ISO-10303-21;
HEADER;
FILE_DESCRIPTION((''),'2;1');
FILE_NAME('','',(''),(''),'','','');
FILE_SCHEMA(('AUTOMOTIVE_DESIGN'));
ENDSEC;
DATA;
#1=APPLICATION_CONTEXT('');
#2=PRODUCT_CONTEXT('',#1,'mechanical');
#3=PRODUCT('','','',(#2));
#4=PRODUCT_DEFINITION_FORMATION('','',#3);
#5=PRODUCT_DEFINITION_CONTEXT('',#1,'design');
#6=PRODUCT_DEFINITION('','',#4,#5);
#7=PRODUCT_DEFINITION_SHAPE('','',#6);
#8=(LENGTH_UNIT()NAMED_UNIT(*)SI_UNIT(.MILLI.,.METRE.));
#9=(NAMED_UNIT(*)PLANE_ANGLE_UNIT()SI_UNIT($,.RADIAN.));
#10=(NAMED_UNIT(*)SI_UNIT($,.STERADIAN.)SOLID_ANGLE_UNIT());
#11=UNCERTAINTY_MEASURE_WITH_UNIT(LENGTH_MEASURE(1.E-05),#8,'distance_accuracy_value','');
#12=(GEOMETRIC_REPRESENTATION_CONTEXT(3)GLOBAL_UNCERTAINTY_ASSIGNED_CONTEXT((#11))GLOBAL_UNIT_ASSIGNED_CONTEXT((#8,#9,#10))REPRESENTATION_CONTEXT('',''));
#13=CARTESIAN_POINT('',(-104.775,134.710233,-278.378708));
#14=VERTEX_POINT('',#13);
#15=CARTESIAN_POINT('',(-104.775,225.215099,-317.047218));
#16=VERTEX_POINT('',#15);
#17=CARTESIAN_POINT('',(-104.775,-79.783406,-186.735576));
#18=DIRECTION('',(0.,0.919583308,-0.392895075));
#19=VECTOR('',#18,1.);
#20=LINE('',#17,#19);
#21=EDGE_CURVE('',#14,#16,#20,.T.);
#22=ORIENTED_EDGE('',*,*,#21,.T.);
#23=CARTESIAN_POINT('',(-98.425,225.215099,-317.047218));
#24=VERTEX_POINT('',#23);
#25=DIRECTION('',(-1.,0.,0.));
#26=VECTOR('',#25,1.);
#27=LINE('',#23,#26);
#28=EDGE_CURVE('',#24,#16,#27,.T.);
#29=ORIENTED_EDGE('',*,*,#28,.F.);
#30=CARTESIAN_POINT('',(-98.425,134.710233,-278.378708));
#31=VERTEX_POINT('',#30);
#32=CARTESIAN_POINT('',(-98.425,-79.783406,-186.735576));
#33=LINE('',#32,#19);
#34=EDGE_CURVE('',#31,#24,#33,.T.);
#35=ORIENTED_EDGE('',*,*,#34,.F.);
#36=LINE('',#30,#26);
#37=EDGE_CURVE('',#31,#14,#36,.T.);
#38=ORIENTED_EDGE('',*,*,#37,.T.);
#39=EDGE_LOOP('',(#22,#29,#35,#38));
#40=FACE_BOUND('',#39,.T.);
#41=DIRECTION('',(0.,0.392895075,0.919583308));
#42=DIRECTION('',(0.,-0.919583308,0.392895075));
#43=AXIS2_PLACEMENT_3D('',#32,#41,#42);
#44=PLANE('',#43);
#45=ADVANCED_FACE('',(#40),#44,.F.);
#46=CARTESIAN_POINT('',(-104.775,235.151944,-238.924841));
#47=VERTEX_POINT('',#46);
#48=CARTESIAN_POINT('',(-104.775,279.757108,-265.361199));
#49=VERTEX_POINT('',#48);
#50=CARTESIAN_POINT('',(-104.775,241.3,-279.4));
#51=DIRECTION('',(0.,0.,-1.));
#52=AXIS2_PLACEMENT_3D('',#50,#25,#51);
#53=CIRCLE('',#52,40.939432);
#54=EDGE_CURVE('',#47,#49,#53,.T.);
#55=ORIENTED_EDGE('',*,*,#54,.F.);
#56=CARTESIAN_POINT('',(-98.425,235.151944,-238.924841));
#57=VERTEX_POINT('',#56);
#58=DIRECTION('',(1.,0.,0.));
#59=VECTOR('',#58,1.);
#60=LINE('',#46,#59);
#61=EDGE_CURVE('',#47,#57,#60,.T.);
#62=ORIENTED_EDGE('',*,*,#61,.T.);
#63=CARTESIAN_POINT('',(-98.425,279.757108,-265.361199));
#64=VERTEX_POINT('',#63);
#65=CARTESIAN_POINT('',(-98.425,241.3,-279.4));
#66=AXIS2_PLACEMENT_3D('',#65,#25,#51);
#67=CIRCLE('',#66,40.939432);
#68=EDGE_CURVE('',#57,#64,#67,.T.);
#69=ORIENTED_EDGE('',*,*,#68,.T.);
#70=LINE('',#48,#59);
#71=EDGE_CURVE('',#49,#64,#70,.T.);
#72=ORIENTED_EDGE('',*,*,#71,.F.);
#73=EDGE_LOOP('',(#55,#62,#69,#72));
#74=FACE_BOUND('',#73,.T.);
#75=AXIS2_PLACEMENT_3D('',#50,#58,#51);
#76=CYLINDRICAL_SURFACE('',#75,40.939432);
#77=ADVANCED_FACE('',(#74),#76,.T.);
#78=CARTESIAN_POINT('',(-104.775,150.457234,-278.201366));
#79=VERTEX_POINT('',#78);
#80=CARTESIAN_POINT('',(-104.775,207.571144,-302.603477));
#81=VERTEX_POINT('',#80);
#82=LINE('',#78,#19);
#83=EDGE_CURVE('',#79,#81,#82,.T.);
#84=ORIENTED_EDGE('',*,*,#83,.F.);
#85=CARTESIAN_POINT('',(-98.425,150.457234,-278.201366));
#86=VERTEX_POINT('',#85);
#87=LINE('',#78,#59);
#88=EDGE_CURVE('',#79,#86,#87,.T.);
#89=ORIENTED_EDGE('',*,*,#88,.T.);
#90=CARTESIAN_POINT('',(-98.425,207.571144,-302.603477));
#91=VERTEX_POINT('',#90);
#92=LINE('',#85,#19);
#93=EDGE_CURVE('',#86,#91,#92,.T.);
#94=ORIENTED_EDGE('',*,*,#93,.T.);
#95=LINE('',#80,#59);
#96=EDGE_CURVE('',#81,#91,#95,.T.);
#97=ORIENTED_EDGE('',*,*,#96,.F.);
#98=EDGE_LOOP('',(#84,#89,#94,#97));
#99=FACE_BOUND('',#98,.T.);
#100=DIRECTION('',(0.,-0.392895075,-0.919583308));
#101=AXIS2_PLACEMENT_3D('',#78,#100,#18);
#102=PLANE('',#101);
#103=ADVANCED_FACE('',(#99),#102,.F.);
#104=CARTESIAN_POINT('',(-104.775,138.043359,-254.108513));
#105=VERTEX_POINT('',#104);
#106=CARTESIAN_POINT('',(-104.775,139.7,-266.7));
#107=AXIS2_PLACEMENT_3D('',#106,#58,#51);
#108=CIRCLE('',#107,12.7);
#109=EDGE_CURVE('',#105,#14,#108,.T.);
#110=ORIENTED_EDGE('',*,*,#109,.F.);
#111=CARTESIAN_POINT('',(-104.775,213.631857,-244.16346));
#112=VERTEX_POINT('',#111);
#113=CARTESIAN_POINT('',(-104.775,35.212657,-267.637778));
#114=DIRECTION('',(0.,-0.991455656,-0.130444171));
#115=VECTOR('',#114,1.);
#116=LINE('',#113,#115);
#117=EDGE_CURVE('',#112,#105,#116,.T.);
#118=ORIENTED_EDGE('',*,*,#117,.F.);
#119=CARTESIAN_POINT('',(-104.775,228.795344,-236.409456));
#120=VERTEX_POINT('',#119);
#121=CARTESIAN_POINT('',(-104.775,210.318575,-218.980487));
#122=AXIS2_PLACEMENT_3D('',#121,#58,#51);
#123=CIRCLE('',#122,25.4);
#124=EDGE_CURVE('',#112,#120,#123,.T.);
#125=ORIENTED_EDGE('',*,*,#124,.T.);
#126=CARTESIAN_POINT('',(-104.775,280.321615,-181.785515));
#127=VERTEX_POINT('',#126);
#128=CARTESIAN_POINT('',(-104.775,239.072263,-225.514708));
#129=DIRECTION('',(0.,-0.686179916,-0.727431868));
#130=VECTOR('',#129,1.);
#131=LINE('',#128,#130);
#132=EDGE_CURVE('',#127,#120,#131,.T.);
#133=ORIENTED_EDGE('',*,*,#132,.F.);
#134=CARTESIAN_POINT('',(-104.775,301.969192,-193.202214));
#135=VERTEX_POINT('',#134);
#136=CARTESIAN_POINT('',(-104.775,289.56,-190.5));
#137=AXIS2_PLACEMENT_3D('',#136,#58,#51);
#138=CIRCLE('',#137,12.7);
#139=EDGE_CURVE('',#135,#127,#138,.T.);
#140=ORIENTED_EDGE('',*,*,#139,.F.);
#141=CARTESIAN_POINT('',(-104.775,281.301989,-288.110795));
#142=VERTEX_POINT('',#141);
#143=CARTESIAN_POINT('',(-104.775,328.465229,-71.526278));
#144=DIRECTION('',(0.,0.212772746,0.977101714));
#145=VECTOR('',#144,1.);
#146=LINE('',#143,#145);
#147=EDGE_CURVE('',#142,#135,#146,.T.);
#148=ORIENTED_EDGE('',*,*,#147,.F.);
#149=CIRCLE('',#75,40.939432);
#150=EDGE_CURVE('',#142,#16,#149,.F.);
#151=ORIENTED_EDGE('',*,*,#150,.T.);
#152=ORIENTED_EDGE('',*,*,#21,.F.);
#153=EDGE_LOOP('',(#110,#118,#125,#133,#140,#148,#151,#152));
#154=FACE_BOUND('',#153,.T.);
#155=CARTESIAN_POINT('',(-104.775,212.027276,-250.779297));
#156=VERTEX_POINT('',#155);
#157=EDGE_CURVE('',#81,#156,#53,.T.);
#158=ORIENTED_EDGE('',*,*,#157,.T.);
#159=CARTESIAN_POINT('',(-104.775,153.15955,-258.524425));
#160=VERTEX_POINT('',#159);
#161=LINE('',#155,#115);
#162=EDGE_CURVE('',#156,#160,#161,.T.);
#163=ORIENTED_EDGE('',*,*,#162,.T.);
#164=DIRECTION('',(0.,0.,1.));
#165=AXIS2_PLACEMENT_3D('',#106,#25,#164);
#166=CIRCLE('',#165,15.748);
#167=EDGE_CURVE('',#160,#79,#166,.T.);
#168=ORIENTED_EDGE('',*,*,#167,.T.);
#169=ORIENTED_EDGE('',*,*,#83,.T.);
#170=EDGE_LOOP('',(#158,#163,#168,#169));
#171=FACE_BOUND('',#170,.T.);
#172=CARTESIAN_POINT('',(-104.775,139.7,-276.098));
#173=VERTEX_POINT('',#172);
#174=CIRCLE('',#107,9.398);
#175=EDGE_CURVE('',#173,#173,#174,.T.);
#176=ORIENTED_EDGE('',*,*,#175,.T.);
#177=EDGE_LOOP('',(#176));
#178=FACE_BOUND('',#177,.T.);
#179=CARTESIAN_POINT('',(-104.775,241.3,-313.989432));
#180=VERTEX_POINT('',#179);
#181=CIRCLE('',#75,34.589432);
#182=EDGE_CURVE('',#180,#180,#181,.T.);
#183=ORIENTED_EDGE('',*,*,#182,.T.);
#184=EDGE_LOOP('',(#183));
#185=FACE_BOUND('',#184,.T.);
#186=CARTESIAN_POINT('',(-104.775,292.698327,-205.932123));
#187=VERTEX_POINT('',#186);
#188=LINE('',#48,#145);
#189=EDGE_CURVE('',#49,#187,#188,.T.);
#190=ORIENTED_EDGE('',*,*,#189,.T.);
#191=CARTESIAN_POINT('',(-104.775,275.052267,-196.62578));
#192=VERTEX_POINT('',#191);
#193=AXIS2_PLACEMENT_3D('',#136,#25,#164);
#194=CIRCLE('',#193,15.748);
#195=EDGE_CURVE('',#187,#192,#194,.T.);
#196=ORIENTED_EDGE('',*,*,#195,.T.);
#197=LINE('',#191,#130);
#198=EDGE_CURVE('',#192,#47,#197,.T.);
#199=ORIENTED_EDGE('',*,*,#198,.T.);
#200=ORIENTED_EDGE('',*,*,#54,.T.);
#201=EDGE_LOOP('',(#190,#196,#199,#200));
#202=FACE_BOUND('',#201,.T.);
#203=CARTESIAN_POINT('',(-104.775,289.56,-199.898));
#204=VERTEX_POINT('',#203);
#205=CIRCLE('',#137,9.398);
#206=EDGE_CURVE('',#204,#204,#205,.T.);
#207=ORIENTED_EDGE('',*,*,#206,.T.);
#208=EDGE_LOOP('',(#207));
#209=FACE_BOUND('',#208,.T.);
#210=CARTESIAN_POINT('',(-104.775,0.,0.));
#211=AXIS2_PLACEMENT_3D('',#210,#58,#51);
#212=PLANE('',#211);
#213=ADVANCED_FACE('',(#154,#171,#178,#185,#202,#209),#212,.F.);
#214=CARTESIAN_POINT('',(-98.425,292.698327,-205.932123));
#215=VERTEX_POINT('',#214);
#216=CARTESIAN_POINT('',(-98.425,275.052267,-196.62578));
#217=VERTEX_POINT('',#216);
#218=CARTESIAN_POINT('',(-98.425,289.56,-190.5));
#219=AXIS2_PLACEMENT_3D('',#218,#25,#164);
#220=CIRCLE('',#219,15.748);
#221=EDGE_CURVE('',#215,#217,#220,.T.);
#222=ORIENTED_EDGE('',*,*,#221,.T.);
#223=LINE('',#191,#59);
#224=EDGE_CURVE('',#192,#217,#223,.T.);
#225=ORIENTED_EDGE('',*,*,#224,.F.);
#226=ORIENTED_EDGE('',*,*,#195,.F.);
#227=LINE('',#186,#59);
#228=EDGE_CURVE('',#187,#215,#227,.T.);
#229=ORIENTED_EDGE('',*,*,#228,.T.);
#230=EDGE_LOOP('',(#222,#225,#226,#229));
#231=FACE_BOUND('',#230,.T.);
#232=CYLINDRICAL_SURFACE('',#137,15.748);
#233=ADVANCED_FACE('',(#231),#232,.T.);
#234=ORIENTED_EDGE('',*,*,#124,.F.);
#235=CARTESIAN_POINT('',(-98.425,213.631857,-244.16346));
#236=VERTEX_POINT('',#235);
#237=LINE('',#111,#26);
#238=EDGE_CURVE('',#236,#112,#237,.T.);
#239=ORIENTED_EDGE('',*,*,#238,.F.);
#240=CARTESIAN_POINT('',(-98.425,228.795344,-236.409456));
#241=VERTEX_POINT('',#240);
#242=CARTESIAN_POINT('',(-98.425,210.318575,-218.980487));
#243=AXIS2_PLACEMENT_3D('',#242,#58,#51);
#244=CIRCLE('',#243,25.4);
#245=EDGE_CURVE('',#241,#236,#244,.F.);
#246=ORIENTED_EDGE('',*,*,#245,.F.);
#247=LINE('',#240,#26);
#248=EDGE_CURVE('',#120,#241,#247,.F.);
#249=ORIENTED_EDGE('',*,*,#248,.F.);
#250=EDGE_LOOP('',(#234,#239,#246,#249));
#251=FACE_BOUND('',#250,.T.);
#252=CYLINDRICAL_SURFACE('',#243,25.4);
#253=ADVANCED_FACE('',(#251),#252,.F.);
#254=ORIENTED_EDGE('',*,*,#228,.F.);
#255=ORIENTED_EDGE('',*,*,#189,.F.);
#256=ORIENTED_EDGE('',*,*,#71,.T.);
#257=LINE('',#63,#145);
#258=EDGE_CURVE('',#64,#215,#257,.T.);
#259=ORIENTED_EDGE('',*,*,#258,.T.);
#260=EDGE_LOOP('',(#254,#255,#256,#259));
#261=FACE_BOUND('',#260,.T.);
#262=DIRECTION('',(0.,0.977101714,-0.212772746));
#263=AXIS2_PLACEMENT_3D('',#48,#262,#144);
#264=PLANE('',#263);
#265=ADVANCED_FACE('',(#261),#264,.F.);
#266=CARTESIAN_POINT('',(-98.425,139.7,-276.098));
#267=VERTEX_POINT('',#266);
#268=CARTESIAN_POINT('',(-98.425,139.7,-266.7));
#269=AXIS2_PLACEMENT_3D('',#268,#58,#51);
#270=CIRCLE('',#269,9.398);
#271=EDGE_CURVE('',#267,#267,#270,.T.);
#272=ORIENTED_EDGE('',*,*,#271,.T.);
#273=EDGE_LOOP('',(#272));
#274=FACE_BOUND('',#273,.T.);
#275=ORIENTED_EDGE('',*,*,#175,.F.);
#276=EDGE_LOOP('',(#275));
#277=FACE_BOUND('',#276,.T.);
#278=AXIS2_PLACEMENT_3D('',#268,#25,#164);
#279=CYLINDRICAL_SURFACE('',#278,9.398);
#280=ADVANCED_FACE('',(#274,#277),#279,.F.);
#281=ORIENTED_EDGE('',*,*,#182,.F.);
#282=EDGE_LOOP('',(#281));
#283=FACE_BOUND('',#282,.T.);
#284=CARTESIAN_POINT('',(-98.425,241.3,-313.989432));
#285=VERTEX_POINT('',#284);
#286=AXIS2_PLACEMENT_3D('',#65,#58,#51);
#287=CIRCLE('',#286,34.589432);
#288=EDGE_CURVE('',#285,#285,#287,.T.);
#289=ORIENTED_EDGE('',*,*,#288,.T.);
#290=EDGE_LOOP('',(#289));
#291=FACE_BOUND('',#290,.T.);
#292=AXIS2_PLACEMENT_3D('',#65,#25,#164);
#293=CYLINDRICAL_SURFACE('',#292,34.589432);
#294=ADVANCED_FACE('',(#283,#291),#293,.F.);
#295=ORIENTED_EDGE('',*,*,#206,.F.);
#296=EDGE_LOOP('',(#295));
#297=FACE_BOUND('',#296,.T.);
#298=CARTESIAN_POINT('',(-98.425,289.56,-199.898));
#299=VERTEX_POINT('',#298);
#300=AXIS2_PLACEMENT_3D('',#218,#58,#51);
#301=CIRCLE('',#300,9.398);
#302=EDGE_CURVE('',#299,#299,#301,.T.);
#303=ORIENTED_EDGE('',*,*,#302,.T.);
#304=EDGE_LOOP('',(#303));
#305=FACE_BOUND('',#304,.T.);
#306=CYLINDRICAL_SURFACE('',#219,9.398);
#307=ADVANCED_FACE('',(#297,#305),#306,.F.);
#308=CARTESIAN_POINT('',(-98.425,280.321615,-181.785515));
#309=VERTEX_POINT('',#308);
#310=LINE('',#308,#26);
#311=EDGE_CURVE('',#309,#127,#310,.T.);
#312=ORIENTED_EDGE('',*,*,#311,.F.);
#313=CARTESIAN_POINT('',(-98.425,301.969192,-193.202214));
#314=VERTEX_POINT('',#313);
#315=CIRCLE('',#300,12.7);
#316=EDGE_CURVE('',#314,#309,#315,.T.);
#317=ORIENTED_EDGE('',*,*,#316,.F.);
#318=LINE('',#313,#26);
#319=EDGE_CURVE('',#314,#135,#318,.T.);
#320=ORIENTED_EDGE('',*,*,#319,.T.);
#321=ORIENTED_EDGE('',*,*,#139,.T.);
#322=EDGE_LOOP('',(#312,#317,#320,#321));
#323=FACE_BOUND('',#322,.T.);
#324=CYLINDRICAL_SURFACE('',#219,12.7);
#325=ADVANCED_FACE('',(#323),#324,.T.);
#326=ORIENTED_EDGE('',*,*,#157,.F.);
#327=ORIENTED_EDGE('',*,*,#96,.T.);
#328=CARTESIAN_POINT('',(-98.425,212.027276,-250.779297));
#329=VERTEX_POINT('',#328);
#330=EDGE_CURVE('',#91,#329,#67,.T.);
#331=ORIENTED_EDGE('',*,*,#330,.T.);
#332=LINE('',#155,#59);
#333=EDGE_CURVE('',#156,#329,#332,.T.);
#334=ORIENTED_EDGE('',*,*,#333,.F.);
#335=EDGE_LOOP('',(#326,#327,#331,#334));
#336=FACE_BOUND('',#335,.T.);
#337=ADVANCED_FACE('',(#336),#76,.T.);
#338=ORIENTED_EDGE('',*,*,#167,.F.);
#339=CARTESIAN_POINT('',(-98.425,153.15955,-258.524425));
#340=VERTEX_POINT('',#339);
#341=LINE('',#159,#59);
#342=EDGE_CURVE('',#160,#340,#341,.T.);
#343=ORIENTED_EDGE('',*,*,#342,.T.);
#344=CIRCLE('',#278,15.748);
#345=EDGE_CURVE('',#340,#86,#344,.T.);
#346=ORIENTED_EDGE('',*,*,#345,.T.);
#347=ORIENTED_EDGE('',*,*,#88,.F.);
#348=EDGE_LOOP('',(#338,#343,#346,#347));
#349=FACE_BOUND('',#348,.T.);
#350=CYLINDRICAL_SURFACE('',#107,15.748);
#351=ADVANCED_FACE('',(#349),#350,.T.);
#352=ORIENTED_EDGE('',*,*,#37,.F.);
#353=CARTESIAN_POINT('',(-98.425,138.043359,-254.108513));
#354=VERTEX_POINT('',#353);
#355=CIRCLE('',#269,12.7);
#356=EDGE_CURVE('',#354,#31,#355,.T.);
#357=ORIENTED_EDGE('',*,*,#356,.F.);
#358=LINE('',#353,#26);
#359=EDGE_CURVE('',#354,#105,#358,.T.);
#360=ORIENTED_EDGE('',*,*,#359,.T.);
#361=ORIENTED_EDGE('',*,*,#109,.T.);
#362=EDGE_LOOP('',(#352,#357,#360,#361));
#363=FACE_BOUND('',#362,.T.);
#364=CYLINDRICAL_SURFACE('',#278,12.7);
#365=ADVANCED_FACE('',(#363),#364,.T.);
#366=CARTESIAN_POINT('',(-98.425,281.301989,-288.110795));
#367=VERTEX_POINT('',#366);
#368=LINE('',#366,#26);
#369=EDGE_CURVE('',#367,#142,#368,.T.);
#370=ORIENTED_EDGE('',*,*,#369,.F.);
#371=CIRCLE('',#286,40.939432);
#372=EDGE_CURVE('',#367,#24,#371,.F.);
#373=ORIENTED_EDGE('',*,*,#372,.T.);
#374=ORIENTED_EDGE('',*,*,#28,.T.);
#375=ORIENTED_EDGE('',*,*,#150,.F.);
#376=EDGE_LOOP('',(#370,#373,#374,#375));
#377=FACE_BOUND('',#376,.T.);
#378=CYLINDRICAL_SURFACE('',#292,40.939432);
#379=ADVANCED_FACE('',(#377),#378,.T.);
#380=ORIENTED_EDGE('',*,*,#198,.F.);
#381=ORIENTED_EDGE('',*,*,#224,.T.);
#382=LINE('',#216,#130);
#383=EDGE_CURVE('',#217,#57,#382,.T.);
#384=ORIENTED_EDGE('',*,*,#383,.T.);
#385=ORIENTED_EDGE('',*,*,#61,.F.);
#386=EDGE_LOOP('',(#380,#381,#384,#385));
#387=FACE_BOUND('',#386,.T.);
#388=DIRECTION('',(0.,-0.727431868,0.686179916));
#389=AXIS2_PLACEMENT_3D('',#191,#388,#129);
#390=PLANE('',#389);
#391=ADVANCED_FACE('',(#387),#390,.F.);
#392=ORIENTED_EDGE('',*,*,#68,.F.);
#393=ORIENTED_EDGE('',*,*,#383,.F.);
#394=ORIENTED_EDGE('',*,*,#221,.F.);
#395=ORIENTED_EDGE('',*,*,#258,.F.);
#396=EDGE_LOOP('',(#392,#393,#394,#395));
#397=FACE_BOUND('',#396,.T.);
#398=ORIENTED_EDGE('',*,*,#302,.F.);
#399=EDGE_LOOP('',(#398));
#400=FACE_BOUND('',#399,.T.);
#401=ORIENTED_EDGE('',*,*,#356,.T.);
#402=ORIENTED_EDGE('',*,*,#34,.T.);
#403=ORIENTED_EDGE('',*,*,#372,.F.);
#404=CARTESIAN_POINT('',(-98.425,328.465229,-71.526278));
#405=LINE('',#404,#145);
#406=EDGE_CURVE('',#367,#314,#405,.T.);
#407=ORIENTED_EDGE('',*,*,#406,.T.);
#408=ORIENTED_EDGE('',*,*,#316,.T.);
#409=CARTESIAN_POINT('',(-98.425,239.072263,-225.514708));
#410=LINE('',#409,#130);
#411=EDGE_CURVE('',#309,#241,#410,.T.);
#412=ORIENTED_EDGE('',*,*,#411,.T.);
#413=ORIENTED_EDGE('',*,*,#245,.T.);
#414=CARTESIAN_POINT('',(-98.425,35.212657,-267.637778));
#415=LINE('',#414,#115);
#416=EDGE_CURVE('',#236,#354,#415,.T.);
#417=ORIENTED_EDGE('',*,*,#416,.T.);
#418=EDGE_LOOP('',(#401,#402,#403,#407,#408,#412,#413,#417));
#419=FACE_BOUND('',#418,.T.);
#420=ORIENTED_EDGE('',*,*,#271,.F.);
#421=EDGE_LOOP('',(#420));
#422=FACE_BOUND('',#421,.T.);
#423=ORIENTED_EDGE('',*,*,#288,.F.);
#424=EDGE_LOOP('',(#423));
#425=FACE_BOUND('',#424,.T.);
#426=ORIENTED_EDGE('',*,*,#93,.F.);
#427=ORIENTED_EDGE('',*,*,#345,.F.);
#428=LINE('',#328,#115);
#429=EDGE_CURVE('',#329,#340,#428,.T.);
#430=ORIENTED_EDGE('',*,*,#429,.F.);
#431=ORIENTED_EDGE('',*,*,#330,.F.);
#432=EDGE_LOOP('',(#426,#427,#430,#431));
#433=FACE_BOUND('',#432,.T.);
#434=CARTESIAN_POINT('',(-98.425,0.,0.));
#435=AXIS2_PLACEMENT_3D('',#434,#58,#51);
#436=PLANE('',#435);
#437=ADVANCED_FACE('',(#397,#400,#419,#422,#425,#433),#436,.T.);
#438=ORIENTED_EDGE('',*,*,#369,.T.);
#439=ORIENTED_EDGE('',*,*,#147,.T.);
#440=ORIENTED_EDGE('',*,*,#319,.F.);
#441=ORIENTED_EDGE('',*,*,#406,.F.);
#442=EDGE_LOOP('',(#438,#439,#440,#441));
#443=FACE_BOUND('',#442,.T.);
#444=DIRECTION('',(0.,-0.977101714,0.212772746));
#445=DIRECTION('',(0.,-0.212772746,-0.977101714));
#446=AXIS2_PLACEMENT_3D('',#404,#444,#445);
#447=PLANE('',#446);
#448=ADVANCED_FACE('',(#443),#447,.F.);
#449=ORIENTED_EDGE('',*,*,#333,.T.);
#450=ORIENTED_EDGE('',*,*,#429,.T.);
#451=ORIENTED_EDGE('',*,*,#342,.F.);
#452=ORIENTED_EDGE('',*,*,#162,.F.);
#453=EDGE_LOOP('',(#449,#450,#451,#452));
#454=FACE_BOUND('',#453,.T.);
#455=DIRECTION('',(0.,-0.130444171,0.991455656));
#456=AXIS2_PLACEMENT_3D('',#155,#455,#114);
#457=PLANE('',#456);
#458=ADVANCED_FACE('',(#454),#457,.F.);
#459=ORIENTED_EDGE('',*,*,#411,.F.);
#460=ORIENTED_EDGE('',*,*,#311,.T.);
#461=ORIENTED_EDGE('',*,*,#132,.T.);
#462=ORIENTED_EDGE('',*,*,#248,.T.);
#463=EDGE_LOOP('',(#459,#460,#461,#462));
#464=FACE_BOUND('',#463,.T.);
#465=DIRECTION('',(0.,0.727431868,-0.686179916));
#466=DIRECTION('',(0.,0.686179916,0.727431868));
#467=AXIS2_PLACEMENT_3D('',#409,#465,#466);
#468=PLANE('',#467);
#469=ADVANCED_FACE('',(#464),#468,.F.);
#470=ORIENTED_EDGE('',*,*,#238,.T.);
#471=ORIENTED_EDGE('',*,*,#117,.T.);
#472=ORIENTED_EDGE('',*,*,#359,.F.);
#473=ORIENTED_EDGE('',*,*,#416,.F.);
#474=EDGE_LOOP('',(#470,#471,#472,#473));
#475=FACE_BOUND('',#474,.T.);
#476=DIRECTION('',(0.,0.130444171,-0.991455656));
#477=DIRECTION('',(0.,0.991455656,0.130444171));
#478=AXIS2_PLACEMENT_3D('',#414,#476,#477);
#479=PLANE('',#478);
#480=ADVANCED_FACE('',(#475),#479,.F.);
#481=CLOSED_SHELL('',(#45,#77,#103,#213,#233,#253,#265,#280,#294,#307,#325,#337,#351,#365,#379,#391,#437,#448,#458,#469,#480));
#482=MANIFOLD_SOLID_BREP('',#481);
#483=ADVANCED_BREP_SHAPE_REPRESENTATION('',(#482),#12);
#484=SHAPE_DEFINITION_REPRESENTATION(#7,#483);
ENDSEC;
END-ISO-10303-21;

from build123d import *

# Parameters (mm, degrees)
SKETCH1_R           = 9.398
SKETCH1_R_2         = 34.589431616
BOSS_EXTRUDE1_DEPTH = 3.175
FILLET1_R           = 25.4
CUT_EXTRUDE1_DEPTH  = 7.35


with BuildPart() as part:
    # Sketch1 → Boss-Extrude1 (new body, symmetric)
    with BuildSketch(Plane(origin=(-101.6, 0, 0), x_dir=(0, 0, -1), z_dir=(1, 0, 0))):
        with BuildLine():
            Line((181.785515067, 280.321615274), (242.984426747, 222.593234225))
            Line((242.984426747, 222.593234225), (254.108513166, 138.043359025))
            ThreePointArc((254.108513166, 138.043359025), (264.972075139, 127.118097295), (278.378708009, 134.710232547))
            Line((278.378708009, 134.710232547), (317.047217946, 225.215098942))
            ThreePointArc((317.047217946, 225.215098942), (315.782704, 260.070612955), (288.110795268, 281.301988787))
            Line((288.110795268, 281.301988787), (193.202213869, 301.969191763))
            ThreePointArc((193.202213869, 301.969191763), (179.266512438, 295.48442041), (181.785515067, 280.321615274))
        make_face()
        with Locations((190.5, 289.56)):
            Circle(SKETCH1_R, mode=Mode.SUBTRACT)
        with Locations((279.4, 241.3)):
            Circle(SKETCH1_R_2, mode=Mode.SUBTRACT)
        with Locations((266.7, 139.7)):
            Circle(SKETCH1_R, mode=Mode.SUBTRACT)
    extrude(amount=BOSS_EXTRUDE1_DEPTH, both=True)

    # Fillet1
    fillet1_edges = [part.edges().sort_by_distance(p)[0] for p in [
        (-101.6, 222.593234225, -242.984426747),
    ]]
    fillet(fillet1_edges, radius=FILLET1_R)

    # Sketch2 → Cut-Extrude1 (cut, through all)
    with BuildSketch(Plane(origin=(-98.425, 0, 0), x_dir=(0, 0, -1), z_dir=(1, 0, 0))):
        with BuildLine():
            Line((196.625780281, 275.052266892), (238.924841277, 235.151944416))
            ThreePointArc((238.924841277, 235.151944416), (244.181424008, 262.17316378), (265.361199141, 279.757107685))
            Line((265.361199141, 279.757107685), (205.932122543, 292.698327232))
            ThreePointArc((205.932122543, 292.698327232), (204.429524577, 282.213718691), (196.625780281, 275.052266892))
        make_face()
        with BuildLine():
            Line((250.779296509, 212.027275618), (258.524425256, 153.159549829))
            ThreePointArc((258.524425256, 153.159549829), (268.842626828, 155.301559354), (278.201366063, 150.45723397))
            Line((278.201366063, 150.45723397), (302.603477212, 207.571144307))
            ThreePointArc((302.603477212, 207.571144307), (275.892741569, 200.511077492), (250.779296509, 212.027275618))
        make_face()
    extrude(amount=-CUT_EXTRUDE1_DEPTH, mode=Mode.SUBTRACT)


solid = part.part
